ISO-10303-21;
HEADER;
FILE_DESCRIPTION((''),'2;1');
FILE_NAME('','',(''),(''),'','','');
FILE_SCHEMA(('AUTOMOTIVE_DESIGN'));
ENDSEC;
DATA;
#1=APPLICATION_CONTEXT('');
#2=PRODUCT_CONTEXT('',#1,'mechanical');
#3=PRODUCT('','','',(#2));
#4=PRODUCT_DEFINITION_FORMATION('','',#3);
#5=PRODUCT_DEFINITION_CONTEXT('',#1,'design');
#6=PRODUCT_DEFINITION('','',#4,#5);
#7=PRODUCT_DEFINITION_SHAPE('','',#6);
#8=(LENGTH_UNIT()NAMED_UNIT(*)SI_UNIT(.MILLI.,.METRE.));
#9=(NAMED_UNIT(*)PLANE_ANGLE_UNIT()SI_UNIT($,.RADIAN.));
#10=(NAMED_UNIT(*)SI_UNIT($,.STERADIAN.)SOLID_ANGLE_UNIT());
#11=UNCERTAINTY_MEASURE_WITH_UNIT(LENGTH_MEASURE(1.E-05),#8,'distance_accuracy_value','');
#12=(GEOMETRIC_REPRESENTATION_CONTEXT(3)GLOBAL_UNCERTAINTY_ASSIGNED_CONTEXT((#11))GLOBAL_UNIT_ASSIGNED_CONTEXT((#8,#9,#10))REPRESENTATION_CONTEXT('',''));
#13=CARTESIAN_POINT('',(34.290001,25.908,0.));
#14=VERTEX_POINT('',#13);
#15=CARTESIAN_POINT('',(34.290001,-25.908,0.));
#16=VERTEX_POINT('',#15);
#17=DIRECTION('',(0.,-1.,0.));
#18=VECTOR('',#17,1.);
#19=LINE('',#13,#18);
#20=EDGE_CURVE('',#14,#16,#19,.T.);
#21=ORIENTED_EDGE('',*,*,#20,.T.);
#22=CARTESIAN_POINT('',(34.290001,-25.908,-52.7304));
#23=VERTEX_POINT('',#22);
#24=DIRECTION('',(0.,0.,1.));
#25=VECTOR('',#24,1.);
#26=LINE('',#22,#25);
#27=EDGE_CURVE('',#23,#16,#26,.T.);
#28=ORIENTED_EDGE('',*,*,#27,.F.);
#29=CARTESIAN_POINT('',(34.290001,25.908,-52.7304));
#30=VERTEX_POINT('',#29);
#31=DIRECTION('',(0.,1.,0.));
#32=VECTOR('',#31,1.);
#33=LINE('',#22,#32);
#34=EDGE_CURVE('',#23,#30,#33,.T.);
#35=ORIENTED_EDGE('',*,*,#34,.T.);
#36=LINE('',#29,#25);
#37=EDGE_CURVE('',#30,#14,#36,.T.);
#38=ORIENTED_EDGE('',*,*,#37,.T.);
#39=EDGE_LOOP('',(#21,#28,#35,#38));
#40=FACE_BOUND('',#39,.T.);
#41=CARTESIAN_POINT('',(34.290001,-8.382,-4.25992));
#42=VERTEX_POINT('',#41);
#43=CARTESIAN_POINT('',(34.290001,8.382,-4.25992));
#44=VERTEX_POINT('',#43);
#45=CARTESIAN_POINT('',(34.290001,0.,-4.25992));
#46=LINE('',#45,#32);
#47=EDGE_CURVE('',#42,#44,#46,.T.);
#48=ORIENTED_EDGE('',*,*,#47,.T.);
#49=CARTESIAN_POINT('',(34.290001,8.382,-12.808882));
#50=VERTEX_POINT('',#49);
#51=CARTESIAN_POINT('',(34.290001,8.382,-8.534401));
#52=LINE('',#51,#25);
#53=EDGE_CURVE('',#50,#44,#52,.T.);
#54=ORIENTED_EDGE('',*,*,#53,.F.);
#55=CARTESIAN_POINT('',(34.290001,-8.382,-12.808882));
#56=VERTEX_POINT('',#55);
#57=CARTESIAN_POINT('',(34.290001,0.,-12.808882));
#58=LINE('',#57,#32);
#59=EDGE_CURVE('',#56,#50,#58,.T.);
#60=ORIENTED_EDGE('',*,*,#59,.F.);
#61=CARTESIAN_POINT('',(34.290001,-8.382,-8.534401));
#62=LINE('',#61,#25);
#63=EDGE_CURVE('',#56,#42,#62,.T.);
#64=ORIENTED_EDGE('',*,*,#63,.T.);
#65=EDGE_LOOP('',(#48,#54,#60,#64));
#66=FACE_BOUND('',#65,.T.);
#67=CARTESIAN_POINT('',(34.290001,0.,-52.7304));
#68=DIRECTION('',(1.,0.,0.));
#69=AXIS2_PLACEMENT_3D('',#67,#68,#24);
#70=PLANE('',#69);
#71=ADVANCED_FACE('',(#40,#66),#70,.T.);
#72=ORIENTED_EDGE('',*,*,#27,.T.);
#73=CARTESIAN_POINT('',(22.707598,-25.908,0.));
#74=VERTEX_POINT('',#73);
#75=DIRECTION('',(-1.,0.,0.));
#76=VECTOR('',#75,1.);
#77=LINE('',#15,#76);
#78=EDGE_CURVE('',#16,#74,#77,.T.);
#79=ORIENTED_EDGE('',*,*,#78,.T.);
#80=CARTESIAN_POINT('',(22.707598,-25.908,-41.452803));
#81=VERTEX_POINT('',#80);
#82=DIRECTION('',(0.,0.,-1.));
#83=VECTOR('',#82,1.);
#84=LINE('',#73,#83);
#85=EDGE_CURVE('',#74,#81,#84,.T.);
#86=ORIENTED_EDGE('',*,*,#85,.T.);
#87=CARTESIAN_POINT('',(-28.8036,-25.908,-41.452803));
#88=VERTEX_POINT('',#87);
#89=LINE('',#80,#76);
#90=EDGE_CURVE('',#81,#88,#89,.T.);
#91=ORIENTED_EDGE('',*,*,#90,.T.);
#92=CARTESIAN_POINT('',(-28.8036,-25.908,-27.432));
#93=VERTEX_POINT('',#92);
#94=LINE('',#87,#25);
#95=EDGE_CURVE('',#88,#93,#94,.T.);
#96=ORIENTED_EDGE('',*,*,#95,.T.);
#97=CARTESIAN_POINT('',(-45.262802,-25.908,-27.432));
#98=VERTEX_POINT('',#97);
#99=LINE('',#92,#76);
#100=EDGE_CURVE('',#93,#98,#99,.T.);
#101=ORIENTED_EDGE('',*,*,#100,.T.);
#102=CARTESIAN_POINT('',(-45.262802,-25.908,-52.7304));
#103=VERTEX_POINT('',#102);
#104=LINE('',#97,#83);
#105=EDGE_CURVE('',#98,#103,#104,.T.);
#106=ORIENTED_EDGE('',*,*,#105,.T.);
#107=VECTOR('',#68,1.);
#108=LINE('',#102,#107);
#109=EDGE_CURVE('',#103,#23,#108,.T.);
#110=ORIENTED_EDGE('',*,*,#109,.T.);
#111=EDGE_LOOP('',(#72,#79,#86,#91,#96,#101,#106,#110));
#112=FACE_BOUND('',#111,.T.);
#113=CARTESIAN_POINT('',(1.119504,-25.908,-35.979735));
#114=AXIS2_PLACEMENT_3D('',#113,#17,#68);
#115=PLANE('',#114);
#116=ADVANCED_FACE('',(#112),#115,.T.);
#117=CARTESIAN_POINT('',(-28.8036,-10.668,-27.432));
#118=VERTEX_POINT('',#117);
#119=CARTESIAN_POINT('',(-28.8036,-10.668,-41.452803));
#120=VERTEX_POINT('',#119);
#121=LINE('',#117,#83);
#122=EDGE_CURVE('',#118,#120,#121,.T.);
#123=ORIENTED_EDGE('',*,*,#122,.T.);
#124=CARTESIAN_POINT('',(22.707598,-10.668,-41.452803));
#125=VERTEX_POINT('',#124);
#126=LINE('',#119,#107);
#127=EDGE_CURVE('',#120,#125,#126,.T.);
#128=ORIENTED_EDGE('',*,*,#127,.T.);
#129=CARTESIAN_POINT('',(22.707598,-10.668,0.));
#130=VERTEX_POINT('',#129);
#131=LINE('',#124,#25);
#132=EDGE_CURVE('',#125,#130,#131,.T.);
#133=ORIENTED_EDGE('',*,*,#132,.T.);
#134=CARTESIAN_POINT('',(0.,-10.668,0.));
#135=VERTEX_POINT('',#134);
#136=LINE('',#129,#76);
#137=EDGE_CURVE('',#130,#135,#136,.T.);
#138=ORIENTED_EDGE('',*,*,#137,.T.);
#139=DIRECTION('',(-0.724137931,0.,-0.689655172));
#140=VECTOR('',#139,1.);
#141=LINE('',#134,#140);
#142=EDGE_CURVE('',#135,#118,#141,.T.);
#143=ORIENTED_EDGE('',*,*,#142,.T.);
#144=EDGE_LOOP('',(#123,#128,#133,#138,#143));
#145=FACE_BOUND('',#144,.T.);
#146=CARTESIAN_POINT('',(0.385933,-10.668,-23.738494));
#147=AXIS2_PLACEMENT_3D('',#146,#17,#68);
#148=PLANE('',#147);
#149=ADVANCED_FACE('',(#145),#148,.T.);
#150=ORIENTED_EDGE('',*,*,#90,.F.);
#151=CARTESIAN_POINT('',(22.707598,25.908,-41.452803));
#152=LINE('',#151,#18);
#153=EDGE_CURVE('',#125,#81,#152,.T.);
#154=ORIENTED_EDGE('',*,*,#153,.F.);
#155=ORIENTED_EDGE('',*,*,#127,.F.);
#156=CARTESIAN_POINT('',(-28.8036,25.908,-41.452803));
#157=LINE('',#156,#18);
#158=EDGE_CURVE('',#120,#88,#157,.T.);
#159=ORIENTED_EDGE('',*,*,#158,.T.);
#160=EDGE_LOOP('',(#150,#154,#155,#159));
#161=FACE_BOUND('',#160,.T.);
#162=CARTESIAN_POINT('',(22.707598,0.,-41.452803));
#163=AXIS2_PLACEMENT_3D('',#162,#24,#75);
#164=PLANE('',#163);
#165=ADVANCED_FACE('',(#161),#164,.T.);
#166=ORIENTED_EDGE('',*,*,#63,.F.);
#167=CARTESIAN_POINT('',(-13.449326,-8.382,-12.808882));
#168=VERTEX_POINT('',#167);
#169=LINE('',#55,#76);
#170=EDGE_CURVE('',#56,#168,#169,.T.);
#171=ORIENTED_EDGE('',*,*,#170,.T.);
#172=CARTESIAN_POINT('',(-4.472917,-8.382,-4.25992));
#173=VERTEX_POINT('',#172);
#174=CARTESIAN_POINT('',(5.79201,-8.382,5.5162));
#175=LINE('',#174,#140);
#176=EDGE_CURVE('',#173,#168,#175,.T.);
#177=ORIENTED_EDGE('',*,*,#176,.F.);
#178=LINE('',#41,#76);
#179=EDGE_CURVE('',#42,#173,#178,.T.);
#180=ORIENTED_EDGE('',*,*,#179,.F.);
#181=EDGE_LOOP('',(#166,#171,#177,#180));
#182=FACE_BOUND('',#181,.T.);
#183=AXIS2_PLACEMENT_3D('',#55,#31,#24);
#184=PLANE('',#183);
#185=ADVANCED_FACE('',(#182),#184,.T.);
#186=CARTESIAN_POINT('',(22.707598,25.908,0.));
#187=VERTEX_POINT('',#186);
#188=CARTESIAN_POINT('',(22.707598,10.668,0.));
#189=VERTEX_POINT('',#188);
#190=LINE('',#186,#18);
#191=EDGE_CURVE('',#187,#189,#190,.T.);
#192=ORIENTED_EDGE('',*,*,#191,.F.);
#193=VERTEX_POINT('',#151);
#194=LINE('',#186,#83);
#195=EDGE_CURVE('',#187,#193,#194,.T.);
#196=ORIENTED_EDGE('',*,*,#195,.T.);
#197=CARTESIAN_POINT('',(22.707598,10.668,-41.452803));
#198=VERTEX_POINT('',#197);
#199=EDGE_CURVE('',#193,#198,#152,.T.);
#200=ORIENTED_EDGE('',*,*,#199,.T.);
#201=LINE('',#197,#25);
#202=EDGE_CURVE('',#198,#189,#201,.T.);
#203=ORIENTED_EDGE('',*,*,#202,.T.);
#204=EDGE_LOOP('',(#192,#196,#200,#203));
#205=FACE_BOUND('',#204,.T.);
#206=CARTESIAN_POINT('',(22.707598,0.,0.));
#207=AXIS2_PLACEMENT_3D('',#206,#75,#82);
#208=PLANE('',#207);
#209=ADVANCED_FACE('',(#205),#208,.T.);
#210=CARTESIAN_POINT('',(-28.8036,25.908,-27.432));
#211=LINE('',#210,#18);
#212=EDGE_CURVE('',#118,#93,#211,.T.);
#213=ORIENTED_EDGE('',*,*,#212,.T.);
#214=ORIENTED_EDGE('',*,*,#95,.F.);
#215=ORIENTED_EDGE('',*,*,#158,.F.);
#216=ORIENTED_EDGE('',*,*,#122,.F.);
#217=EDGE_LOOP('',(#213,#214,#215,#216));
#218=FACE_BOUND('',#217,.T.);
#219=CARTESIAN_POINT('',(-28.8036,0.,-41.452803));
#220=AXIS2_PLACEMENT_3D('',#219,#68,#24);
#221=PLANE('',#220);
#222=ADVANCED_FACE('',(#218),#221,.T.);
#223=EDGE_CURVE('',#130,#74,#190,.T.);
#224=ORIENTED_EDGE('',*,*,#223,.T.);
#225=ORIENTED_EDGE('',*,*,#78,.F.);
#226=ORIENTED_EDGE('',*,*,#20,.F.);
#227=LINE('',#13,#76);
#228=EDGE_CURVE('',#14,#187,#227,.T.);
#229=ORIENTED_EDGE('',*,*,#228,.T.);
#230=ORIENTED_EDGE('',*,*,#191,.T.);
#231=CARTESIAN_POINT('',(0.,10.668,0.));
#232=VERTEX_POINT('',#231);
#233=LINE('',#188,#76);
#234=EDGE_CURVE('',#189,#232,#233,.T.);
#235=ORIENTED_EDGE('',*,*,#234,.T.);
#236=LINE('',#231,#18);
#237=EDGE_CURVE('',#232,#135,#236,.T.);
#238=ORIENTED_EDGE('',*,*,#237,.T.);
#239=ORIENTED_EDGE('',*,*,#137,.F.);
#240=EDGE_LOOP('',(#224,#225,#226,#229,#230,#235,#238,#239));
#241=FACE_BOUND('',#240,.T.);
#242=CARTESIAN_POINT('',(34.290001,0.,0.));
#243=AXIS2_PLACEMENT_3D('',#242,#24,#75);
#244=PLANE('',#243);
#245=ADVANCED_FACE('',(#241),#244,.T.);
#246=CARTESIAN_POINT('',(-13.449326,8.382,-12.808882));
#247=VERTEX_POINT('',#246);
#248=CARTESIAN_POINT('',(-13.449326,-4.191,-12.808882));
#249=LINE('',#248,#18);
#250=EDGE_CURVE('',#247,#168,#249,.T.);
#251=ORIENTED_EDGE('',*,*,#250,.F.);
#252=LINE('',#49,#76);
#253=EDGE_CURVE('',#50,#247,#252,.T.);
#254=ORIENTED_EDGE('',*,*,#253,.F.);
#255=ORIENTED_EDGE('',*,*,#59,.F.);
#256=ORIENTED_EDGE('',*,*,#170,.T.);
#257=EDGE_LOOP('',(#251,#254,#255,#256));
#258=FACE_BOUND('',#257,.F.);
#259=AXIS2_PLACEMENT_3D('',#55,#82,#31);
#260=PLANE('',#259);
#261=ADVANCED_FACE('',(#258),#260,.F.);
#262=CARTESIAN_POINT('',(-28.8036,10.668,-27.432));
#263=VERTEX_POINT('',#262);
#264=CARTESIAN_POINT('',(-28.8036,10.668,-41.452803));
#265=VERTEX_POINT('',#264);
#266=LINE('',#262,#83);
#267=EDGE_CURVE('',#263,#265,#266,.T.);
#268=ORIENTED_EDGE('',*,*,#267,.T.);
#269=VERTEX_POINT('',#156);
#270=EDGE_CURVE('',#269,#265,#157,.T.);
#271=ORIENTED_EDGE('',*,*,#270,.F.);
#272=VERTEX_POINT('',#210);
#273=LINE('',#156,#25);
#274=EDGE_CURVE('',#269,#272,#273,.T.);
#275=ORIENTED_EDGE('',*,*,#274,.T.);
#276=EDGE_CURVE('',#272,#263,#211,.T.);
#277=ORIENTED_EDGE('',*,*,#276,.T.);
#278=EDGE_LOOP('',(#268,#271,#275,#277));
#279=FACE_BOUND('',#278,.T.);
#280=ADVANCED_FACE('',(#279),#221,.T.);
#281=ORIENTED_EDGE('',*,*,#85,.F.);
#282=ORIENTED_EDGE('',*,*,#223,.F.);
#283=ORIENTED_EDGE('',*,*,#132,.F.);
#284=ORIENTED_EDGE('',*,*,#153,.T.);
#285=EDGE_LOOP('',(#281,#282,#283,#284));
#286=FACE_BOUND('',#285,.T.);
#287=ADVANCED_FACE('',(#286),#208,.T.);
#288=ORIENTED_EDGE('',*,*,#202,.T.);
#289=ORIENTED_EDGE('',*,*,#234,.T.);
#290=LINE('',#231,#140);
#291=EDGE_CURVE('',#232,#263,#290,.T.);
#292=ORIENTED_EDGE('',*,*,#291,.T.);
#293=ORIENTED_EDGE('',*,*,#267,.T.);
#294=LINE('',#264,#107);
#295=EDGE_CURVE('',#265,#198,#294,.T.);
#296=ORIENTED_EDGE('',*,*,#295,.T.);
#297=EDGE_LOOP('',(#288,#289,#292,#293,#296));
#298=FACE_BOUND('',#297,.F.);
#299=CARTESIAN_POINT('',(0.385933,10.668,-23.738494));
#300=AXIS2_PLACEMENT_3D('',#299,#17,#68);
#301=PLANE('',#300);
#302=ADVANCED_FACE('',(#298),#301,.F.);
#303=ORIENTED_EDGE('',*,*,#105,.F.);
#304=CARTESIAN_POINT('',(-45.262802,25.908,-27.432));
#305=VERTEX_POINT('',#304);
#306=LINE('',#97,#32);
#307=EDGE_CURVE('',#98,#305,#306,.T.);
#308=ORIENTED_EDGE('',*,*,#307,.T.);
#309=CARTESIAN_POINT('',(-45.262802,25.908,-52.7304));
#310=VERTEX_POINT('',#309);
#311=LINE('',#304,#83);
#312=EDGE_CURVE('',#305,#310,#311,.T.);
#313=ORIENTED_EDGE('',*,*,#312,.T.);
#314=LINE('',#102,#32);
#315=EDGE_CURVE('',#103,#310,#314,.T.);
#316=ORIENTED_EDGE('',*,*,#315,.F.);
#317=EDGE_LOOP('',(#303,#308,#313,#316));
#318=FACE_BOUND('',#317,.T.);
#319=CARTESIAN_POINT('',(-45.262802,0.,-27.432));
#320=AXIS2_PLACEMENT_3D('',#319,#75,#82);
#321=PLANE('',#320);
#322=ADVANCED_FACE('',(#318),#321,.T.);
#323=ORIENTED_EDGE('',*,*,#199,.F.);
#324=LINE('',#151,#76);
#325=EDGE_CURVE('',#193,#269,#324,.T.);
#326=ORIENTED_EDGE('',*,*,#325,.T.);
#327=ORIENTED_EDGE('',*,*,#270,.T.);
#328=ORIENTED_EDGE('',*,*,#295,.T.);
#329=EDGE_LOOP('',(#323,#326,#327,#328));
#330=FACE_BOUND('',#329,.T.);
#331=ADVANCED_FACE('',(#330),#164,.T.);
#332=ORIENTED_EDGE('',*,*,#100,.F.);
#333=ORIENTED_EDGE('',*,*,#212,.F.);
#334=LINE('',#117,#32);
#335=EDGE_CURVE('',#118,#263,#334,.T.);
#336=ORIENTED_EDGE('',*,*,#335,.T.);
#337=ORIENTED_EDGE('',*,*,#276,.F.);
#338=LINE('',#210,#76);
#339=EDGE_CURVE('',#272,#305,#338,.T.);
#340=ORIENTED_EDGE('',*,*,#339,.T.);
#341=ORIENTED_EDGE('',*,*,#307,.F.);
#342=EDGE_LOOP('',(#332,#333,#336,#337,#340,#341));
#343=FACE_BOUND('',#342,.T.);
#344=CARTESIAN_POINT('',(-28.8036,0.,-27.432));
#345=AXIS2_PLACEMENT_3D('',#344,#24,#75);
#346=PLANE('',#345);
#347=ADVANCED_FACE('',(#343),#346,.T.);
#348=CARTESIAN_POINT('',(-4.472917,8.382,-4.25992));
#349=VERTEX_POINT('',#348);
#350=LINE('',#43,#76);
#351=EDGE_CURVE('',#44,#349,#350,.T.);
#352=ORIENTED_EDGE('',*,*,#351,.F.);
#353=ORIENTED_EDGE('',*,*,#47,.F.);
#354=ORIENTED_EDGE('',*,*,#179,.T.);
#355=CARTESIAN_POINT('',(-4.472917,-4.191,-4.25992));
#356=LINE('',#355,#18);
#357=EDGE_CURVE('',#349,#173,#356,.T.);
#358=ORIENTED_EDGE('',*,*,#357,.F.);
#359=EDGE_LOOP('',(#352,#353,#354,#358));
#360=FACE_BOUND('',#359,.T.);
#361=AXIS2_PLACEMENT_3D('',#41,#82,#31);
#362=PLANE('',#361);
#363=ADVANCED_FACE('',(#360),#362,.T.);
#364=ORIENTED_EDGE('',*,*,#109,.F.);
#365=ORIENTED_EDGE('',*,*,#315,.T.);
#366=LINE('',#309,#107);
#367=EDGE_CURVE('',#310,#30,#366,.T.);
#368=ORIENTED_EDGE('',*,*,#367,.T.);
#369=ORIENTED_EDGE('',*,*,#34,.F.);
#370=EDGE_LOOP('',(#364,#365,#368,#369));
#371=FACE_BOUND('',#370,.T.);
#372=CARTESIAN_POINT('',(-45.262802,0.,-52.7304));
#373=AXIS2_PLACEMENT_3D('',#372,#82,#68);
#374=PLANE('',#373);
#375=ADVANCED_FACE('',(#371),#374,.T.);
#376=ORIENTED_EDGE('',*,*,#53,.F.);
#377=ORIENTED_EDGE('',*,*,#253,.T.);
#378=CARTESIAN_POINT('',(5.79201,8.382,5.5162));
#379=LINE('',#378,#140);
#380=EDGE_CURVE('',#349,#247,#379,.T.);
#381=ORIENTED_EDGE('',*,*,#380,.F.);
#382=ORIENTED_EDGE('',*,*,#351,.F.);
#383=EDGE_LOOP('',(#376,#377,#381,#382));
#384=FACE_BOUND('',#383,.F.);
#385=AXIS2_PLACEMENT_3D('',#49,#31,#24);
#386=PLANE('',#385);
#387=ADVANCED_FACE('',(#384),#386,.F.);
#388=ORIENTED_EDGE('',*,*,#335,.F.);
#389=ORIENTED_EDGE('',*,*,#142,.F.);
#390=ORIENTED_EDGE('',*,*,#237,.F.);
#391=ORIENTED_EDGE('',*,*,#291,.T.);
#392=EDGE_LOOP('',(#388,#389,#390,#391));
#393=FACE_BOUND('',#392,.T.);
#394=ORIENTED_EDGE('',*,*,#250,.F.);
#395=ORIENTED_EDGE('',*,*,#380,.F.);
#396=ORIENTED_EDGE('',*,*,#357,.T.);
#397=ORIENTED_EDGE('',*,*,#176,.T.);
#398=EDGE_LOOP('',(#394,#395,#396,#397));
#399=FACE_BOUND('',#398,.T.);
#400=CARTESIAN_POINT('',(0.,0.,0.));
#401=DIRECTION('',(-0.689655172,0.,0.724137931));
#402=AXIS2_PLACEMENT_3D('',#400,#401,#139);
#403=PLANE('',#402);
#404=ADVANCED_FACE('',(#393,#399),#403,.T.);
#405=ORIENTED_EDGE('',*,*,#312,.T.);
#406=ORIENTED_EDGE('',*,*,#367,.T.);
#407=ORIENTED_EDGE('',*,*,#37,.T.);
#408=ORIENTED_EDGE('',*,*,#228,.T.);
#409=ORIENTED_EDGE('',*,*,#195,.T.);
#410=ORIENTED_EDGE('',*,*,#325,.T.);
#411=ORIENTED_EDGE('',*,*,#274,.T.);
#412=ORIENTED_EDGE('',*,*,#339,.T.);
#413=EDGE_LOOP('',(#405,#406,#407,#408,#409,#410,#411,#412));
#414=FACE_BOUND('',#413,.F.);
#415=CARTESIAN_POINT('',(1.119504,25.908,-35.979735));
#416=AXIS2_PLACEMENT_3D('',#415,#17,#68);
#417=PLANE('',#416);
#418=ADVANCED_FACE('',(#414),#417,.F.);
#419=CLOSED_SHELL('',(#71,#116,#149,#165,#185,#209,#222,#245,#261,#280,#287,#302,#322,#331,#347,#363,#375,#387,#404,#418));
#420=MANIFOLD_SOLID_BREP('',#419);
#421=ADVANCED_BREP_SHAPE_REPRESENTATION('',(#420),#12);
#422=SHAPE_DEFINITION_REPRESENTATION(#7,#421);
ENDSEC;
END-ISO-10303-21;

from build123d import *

# Parameters (mm, degrees)
F1_DEPTH = 25.908
F2_DEPTH = 10.668
F3_W     = 16.764
F3_H     = 8.548961
F4_DEPTH = 83.312


with BuildPart() as f1:
    # F0 (on Front) → F1 (new body, symmetric)
    with BuildSketch(Plane.XZ):
        Polygon((34.290001, -52.7304), (34.290001, 0), (22.707598, 0), (22.707598, -41.452803), (-28.8036, -41.452803), (-28.8036, -27.432), (-45.262802, -27.432), (-45.262802, -52.7304), align=None)
    extrude(amount=F1_DEPTH, both=True)

    # F0 (on Front) → F2 (join, symmetric)
    with BuildSketch(Plane.XZ):
        Polygon((22.707598, -41.452803), (22.707598, 0), (0, 0), (-28.8036, -27.432), (-28.8036, -41.452803), align=None)
    extrude(amount=F2_DEPTH, both=True)

    # F3 (on face) → F4 (cut)
    with BuildSketch(Plane.YZ.offset(34.290001)):
        with Locations((0, -8.534401)):
            Rectangle(F3_W, F3_H)
    extrude(amount=-F4_DEPTH, mode=Mode.SUBTRACT)


solid = f1.part
